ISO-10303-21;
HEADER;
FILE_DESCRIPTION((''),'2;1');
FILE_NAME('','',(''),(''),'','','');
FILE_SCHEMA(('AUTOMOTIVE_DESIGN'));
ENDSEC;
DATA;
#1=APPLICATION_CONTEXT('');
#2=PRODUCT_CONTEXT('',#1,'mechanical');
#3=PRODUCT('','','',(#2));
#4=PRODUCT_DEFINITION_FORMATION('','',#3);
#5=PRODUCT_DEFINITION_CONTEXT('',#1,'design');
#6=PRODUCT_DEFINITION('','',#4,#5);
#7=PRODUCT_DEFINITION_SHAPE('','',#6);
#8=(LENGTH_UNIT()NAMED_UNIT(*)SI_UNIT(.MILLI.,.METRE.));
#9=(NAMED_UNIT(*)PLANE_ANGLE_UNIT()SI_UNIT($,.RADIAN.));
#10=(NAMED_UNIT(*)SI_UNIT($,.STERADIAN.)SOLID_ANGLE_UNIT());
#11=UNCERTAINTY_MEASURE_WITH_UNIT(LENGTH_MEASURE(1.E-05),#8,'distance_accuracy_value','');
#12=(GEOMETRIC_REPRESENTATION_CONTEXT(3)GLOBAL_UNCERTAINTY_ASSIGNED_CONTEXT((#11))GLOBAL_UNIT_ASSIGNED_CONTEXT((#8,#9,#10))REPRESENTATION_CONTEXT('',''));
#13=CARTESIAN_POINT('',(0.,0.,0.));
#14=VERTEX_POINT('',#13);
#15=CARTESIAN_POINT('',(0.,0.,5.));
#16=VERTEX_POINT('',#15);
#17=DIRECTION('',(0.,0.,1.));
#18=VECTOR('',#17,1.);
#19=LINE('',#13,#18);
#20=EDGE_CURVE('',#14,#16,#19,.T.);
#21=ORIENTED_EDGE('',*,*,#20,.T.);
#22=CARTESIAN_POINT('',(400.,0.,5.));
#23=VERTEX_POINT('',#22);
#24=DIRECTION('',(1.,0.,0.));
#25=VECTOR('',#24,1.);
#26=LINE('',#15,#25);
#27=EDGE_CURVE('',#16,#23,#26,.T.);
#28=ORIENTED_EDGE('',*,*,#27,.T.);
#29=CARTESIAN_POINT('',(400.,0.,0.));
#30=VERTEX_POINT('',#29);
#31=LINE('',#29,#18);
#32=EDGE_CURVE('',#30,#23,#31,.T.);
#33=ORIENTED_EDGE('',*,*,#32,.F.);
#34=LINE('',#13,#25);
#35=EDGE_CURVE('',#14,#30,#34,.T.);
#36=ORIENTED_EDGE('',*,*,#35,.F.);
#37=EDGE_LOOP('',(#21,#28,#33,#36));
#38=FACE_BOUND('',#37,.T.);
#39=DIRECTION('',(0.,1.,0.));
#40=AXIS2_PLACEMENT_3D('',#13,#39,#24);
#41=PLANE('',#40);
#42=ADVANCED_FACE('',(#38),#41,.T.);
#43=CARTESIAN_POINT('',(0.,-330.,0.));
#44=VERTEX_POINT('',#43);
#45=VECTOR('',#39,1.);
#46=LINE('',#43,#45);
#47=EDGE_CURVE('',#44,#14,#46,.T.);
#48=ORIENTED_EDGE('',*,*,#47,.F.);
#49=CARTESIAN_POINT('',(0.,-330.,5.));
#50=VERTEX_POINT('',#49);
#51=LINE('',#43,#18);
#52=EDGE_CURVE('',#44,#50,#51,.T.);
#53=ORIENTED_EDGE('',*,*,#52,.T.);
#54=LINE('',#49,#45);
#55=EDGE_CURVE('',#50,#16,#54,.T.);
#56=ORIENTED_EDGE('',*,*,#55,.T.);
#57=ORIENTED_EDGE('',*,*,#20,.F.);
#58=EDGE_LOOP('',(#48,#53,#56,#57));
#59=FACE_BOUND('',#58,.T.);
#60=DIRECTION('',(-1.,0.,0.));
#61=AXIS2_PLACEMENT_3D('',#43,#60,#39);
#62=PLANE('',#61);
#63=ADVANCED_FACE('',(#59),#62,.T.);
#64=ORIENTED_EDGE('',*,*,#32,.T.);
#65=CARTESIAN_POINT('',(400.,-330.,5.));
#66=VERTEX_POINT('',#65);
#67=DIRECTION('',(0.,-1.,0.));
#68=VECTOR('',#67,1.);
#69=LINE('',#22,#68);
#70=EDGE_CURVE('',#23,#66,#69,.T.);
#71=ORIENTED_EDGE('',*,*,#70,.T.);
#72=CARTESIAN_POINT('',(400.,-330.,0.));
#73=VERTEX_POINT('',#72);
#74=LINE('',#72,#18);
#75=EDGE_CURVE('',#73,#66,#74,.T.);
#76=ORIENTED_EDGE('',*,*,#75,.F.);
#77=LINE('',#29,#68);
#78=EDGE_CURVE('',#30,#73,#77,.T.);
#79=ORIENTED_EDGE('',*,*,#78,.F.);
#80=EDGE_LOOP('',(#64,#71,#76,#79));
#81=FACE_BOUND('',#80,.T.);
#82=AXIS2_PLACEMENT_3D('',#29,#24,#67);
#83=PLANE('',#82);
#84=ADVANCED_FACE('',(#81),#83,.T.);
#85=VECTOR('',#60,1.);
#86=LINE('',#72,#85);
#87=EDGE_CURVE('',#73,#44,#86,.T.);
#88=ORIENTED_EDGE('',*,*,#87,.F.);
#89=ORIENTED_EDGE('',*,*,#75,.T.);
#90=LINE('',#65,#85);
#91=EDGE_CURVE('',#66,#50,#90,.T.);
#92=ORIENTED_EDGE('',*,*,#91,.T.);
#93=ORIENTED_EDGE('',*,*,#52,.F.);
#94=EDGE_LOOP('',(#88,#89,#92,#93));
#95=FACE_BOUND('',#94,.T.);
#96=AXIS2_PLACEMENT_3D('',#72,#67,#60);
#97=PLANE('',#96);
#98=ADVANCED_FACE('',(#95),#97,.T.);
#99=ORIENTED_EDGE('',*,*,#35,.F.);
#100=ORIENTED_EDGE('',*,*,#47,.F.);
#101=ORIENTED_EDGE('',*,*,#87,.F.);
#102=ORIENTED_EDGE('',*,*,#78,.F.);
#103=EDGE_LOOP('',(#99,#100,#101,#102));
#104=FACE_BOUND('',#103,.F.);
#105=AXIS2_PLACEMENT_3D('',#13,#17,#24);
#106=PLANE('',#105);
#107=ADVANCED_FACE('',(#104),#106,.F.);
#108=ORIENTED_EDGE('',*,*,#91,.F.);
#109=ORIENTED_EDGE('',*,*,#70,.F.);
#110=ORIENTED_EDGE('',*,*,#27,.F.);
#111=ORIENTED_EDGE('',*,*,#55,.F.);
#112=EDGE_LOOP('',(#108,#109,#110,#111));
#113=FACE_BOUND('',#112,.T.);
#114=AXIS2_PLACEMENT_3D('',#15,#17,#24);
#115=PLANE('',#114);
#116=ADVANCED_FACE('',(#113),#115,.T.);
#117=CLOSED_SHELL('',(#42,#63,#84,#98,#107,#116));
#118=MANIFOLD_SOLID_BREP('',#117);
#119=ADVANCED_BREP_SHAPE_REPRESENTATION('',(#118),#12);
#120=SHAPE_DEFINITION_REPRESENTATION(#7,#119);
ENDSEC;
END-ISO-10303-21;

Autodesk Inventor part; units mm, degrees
ref_plane "YZ Plane" through (0, 0, 0) normal (1, 0, 0) x (0, 1, 0)
ref_plane "XZ Plane" through (0, 0, 0) normal (0, 1, 0) x (-1, 0, 0)
ref_plane "XY Plane" through (0, 0, 0) normal (0, 0, 1) x (1, 0, 0)
sketch "Sketch1" plane through (0, 0, 0) normal (0, 0, 1) x (1, 0, 0)
  line L0 (0, 0) -> (400, 0)
  line L1 (400, 0) -> (400, -330)
  line L2 (400, -330) -> (0, -330)
  line L3 (0, -330) -> (0, 0)
  dimension "d0" = 400
  dimension "d1" = 330
extrude "Extrusion1" add sketch "Sketch1" along normal blind 5
ref_plane "Work Plane1" through (200, -330, 0) normal (1, 0, 0) x (0, 0, -1)
ref_plane "Work Plane2" through (0, -165, 0) normal (0, 1, 0) x (1, 0, 0)
properties part number "Convex Organ Bank Plate"
